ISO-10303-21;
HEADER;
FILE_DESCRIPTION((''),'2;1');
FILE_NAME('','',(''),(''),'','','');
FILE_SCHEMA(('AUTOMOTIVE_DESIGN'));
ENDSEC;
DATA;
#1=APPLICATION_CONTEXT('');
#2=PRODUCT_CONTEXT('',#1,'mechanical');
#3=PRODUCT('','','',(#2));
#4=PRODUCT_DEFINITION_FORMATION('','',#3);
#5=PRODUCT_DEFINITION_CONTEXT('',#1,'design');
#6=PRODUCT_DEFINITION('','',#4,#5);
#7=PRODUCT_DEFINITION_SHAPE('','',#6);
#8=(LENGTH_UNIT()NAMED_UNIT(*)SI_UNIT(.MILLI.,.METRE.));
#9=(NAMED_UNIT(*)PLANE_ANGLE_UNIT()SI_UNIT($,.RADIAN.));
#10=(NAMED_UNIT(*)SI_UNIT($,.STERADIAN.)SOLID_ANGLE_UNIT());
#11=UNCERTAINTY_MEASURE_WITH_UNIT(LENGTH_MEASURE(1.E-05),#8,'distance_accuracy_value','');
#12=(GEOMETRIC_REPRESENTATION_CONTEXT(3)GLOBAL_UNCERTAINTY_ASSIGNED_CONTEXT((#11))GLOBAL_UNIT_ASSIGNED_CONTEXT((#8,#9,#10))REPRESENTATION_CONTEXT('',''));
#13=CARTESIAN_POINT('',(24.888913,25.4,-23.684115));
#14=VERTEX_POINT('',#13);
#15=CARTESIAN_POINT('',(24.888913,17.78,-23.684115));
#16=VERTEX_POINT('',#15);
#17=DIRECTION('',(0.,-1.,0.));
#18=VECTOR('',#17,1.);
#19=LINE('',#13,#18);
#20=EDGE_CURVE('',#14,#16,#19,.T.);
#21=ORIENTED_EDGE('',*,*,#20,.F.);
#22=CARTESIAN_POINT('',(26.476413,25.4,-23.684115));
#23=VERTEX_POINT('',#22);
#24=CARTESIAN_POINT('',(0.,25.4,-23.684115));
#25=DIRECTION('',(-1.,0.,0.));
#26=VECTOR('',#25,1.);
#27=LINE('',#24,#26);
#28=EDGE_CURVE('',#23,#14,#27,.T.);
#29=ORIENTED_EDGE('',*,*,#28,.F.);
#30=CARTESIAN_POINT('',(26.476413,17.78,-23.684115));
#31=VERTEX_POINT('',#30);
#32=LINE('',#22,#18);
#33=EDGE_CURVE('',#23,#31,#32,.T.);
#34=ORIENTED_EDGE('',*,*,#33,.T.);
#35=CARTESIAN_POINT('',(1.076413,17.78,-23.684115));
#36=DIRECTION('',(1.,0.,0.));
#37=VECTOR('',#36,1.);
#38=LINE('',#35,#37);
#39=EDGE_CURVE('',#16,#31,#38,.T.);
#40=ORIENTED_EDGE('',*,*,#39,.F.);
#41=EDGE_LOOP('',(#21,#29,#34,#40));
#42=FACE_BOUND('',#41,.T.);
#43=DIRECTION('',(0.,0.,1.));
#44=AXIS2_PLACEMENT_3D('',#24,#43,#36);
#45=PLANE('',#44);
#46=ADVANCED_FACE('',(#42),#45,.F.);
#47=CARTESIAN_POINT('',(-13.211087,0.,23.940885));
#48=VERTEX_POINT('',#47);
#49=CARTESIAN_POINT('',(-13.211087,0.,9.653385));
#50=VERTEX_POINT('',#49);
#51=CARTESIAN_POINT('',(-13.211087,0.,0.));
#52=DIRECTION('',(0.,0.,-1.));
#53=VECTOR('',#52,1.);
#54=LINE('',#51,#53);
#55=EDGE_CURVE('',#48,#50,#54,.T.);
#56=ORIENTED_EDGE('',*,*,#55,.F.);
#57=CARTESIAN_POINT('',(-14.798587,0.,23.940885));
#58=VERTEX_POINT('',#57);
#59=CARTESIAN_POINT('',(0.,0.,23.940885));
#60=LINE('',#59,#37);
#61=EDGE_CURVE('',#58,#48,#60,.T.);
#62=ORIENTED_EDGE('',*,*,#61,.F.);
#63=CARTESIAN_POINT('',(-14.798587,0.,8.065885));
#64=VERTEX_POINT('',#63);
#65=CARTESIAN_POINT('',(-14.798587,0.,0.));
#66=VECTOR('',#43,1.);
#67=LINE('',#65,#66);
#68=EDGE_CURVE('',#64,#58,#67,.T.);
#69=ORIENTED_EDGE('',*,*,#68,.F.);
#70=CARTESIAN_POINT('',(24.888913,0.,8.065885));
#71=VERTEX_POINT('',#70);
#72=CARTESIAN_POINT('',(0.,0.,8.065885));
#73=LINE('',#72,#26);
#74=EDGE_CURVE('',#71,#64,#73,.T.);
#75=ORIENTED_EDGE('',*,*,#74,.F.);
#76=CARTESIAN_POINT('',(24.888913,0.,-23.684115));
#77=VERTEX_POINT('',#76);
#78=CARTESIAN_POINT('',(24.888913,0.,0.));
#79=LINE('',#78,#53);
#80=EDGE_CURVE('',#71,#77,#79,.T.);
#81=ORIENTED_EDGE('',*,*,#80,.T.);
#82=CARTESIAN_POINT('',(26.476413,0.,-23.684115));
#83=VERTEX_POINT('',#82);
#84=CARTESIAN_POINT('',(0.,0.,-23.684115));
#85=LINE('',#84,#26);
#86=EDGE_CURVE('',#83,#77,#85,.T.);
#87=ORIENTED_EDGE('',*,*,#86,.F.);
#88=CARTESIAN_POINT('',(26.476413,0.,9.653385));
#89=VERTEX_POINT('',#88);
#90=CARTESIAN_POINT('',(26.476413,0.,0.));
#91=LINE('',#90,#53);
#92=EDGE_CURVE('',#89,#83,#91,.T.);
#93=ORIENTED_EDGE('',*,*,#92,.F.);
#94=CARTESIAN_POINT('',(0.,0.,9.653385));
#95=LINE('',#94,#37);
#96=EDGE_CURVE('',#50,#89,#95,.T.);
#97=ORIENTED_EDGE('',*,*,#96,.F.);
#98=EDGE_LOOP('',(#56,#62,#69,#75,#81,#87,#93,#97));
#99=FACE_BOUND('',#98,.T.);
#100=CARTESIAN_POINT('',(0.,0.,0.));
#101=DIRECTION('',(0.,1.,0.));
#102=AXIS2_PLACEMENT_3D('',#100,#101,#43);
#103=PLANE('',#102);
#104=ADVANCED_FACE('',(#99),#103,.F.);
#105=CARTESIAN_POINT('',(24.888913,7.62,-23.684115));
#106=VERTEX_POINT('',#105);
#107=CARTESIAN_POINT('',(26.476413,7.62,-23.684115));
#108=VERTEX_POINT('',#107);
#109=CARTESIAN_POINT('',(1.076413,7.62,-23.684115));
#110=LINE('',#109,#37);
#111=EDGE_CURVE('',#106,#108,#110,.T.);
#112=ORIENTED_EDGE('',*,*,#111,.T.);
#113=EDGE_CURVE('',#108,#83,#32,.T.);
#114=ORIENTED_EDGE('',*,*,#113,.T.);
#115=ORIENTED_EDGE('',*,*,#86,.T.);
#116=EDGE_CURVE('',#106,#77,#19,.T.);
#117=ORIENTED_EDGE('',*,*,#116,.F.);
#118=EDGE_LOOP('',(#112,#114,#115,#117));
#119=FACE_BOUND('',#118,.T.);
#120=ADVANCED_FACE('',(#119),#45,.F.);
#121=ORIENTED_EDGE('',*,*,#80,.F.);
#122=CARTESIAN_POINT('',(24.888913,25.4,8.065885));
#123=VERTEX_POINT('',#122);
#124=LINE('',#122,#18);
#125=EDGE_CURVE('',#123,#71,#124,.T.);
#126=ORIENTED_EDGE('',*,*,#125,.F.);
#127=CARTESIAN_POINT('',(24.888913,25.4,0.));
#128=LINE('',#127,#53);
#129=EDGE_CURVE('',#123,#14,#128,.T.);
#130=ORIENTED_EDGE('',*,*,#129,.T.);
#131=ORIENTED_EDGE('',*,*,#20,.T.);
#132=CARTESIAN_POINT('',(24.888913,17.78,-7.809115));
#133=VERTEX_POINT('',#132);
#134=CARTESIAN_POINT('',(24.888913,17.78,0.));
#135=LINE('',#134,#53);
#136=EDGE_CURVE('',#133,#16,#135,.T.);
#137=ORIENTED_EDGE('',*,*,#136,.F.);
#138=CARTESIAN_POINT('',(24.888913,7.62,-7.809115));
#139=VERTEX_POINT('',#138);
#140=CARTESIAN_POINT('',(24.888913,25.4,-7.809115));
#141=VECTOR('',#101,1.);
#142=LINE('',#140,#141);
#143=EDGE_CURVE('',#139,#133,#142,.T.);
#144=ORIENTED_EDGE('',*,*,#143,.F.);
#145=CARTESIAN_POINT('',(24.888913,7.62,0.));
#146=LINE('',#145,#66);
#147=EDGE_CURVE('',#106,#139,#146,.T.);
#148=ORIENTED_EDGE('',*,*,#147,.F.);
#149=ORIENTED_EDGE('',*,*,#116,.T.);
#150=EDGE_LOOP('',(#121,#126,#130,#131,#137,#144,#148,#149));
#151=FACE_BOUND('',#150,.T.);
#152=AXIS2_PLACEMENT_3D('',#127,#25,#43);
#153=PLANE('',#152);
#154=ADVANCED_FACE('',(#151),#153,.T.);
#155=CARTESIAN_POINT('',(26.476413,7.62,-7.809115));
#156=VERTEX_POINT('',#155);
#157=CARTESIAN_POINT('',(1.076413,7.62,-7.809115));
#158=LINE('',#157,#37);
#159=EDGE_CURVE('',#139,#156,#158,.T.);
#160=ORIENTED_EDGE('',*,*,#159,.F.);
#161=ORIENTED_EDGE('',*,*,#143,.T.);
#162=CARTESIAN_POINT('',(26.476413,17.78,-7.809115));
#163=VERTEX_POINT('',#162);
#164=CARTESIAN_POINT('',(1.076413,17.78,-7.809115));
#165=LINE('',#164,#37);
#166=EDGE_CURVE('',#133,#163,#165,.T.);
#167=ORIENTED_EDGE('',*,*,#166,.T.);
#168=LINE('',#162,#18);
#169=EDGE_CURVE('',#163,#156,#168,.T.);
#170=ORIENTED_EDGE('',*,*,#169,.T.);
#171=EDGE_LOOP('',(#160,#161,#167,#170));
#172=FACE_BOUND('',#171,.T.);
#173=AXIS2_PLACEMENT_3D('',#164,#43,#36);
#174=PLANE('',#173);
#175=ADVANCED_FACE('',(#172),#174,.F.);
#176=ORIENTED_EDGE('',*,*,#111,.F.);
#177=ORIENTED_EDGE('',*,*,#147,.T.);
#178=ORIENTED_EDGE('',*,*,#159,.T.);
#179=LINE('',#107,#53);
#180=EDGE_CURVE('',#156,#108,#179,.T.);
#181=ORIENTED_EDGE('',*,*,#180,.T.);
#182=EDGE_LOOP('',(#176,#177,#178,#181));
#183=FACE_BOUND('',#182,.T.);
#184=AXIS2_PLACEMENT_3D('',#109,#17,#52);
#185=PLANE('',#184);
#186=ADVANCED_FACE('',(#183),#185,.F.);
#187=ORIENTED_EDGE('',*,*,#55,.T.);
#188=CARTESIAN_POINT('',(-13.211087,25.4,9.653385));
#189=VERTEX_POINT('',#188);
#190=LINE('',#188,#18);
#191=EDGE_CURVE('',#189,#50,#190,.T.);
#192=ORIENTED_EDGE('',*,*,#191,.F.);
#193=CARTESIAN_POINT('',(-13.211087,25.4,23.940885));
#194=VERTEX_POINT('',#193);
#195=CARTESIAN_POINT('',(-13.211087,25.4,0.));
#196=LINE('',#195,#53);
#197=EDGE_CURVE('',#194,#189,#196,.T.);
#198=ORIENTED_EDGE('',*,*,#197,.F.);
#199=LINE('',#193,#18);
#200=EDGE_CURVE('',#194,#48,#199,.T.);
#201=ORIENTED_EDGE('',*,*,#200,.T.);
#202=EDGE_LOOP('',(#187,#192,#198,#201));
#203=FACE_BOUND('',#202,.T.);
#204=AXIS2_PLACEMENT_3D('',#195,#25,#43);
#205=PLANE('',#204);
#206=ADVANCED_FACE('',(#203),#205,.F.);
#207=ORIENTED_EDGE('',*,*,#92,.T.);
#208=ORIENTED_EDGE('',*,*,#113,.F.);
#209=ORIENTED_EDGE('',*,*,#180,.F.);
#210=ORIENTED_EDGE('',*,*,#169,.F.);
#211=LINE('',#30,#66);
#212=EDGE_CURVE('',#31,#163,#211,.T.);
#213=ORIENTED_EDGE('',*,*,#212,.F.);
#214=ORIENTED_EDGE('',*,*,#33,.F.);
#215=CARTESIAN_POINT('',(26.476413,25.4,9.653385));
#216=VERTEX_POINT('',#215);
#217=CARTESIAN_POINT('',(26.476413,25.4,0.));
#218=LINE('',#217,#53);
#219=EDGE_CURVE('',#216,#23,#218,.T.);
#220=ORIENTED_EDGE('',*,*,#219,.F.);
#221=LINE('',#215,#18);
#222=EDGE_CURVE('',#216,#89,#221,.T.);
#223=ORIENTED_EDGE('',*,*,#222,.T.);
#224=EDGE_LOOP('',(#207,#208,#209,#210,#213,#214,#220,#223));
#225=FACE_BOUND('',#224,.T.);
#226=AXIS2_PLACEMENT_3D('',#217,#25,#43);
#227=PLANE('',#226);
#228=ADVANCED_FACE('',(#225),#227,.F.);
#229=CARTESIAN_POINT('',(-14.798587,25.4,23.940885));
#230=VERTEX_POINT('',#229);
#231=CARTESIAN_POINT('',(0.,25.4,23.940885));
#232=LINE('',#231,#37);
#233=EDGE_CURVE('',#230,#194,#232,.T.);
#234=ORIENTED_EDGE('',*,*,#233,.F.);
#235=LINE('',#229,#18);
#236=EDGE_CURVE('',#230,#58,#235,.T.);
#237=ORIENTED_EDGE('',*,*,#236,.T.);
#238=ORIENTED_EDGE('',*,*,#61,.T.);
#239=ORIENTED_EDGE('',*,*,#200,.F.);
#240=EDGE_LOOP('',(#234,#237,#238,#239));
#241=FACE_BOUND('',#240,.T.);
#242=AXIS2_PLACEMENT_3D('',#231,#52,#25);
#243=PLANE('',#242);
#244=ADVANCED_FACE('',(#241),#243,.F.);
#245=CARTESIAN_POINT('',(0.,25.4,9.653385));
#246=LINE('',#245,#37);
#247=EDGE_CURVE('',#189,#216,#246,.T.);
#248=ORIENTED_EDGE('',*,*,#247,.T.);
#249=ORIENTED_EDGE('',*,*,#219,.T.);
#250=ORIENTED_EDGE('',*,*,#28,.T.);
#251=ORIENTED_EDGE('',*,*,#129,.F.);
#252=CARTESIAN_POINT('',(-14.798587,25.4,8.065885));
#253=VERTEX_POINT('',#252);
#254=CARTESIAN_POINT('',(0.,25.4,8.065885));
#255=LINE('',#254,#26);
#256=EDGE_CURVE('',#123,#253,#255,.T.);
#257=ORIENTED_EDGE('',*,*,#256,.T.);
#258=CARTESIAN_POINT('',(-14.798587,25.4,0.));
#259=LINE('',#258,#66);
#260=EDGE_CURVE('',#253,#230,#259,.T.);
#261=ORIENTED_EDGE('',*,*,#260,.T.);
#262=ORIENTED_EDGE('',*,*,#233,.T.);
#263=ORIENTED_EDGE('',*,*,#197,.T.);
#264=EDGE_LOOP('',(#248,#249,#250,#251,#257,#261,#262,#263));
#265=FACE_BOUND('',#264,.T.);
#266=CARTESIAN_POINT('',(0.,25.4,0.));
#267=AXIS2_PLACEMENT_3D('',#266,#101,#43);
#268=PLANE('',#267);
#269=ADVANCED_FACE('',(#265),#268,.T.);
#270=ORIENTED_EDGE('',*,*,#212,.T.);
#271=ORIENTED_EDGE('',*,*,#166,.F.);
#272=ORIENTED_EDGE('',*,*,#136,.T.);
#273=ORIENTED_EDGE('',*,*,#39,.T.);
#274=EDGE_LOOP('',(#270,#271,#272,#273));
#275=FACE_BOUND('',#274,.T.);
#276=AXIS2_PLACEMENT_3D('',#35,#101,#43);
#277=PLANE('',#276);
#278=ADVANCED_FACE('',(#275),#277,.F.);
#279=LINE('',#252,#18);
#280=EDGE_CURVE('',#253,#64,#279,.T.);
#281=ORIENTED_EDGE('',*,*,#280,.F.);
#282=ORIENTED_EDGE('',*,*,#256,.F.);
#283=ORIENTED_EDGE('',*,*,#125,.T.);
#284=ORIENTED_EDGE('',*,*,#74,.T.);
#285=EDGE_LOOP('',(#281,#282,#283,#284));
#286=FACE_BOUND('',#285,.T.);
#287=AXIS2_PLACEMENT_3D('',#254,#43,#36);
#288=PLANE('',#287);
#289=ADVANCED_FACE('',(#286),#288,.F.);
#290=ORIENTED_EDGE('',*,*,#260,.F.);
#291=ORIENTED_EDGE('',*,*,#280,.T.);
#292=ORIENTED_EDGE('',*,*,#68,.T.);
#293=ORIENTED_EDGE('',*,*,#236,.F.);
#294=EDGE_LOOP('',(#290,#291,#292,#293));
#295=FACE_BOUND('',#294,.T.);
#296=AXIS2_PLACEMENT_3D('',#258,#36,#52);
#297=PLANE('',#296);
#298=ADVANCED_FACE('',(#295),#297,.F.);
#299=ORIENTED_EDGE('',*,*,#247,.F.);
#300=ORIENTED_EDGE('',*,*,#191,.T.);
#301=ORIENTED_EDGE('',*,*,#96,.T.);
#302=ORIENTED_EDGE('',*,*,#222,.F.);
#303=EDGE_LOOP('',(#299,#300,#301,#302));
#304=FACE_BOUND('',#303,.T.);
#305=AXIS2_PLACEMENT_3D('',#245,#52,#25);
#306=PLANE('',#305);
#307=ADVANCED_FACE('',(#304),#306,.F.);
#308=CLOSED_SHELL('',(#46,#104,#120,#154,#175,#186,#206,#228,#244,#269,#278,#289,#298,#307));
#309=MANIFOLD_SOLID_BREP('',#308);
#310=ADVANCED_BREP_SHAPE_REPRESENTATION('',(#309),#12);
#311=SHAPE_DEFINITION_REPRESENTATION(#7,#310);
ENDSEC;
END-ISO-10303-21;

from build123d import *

# Parameters (mm, degrees)
SKETCH1_W           = 38.1
SKETCH1_H           = 1.5875
BOSS_EXTRUDE1_DEPTH = 25.4
SKETCH2_W           = 15.875
SKETCH2_H           = 10.16
CUT_EXTRUDE1_DEPTH  = 25.4


with BuildPart() as part:
    # Sketch1 → Boss-Extrude1 (new body)
    with BuildSketch(Plane(origin=(0, 0, 0), x_dir=(1, 0, 0), z_dir=(0, 1, 0))):
        Polygon((26.476413323, 23.684114825), (24.888913323, 23.684114825), (24.888913323, -8.065885175), (24.888913323, -9.653385175), (26.476413323, -9.653385175), align=None)
        with Locations((5.838913323, -8.859635175)):
            Rectangle(SKETCH1_W, SKETCH1_H)
        Polygon((-13.211086677, -9.653385175), (-13.211086677, -8.065885175), (-14.798586677, -8.065885175), (-14.798586677, -23.940885175), (-13.211086677, -23.940885175), align=None)
    extrude(amount=BOSS_EXTRUDE1_DEPTH)

    # Sketch2 → Cut-Extrude1 (cut)
    with BuildSketch(Plane(origin=(26.476413323, 0, 0), x_dir=(0, 0, -1), z_dir=(1, 0, 0))):
        with Locations((15.746614825, 12.7)):
            Rectangle(SKETCH2_W, SKETCH2_H)
    extrude(amount=-CUT_EXTRUDE1_DEPTH, mode=Mode.SUBTRACT)


solid = part.part
